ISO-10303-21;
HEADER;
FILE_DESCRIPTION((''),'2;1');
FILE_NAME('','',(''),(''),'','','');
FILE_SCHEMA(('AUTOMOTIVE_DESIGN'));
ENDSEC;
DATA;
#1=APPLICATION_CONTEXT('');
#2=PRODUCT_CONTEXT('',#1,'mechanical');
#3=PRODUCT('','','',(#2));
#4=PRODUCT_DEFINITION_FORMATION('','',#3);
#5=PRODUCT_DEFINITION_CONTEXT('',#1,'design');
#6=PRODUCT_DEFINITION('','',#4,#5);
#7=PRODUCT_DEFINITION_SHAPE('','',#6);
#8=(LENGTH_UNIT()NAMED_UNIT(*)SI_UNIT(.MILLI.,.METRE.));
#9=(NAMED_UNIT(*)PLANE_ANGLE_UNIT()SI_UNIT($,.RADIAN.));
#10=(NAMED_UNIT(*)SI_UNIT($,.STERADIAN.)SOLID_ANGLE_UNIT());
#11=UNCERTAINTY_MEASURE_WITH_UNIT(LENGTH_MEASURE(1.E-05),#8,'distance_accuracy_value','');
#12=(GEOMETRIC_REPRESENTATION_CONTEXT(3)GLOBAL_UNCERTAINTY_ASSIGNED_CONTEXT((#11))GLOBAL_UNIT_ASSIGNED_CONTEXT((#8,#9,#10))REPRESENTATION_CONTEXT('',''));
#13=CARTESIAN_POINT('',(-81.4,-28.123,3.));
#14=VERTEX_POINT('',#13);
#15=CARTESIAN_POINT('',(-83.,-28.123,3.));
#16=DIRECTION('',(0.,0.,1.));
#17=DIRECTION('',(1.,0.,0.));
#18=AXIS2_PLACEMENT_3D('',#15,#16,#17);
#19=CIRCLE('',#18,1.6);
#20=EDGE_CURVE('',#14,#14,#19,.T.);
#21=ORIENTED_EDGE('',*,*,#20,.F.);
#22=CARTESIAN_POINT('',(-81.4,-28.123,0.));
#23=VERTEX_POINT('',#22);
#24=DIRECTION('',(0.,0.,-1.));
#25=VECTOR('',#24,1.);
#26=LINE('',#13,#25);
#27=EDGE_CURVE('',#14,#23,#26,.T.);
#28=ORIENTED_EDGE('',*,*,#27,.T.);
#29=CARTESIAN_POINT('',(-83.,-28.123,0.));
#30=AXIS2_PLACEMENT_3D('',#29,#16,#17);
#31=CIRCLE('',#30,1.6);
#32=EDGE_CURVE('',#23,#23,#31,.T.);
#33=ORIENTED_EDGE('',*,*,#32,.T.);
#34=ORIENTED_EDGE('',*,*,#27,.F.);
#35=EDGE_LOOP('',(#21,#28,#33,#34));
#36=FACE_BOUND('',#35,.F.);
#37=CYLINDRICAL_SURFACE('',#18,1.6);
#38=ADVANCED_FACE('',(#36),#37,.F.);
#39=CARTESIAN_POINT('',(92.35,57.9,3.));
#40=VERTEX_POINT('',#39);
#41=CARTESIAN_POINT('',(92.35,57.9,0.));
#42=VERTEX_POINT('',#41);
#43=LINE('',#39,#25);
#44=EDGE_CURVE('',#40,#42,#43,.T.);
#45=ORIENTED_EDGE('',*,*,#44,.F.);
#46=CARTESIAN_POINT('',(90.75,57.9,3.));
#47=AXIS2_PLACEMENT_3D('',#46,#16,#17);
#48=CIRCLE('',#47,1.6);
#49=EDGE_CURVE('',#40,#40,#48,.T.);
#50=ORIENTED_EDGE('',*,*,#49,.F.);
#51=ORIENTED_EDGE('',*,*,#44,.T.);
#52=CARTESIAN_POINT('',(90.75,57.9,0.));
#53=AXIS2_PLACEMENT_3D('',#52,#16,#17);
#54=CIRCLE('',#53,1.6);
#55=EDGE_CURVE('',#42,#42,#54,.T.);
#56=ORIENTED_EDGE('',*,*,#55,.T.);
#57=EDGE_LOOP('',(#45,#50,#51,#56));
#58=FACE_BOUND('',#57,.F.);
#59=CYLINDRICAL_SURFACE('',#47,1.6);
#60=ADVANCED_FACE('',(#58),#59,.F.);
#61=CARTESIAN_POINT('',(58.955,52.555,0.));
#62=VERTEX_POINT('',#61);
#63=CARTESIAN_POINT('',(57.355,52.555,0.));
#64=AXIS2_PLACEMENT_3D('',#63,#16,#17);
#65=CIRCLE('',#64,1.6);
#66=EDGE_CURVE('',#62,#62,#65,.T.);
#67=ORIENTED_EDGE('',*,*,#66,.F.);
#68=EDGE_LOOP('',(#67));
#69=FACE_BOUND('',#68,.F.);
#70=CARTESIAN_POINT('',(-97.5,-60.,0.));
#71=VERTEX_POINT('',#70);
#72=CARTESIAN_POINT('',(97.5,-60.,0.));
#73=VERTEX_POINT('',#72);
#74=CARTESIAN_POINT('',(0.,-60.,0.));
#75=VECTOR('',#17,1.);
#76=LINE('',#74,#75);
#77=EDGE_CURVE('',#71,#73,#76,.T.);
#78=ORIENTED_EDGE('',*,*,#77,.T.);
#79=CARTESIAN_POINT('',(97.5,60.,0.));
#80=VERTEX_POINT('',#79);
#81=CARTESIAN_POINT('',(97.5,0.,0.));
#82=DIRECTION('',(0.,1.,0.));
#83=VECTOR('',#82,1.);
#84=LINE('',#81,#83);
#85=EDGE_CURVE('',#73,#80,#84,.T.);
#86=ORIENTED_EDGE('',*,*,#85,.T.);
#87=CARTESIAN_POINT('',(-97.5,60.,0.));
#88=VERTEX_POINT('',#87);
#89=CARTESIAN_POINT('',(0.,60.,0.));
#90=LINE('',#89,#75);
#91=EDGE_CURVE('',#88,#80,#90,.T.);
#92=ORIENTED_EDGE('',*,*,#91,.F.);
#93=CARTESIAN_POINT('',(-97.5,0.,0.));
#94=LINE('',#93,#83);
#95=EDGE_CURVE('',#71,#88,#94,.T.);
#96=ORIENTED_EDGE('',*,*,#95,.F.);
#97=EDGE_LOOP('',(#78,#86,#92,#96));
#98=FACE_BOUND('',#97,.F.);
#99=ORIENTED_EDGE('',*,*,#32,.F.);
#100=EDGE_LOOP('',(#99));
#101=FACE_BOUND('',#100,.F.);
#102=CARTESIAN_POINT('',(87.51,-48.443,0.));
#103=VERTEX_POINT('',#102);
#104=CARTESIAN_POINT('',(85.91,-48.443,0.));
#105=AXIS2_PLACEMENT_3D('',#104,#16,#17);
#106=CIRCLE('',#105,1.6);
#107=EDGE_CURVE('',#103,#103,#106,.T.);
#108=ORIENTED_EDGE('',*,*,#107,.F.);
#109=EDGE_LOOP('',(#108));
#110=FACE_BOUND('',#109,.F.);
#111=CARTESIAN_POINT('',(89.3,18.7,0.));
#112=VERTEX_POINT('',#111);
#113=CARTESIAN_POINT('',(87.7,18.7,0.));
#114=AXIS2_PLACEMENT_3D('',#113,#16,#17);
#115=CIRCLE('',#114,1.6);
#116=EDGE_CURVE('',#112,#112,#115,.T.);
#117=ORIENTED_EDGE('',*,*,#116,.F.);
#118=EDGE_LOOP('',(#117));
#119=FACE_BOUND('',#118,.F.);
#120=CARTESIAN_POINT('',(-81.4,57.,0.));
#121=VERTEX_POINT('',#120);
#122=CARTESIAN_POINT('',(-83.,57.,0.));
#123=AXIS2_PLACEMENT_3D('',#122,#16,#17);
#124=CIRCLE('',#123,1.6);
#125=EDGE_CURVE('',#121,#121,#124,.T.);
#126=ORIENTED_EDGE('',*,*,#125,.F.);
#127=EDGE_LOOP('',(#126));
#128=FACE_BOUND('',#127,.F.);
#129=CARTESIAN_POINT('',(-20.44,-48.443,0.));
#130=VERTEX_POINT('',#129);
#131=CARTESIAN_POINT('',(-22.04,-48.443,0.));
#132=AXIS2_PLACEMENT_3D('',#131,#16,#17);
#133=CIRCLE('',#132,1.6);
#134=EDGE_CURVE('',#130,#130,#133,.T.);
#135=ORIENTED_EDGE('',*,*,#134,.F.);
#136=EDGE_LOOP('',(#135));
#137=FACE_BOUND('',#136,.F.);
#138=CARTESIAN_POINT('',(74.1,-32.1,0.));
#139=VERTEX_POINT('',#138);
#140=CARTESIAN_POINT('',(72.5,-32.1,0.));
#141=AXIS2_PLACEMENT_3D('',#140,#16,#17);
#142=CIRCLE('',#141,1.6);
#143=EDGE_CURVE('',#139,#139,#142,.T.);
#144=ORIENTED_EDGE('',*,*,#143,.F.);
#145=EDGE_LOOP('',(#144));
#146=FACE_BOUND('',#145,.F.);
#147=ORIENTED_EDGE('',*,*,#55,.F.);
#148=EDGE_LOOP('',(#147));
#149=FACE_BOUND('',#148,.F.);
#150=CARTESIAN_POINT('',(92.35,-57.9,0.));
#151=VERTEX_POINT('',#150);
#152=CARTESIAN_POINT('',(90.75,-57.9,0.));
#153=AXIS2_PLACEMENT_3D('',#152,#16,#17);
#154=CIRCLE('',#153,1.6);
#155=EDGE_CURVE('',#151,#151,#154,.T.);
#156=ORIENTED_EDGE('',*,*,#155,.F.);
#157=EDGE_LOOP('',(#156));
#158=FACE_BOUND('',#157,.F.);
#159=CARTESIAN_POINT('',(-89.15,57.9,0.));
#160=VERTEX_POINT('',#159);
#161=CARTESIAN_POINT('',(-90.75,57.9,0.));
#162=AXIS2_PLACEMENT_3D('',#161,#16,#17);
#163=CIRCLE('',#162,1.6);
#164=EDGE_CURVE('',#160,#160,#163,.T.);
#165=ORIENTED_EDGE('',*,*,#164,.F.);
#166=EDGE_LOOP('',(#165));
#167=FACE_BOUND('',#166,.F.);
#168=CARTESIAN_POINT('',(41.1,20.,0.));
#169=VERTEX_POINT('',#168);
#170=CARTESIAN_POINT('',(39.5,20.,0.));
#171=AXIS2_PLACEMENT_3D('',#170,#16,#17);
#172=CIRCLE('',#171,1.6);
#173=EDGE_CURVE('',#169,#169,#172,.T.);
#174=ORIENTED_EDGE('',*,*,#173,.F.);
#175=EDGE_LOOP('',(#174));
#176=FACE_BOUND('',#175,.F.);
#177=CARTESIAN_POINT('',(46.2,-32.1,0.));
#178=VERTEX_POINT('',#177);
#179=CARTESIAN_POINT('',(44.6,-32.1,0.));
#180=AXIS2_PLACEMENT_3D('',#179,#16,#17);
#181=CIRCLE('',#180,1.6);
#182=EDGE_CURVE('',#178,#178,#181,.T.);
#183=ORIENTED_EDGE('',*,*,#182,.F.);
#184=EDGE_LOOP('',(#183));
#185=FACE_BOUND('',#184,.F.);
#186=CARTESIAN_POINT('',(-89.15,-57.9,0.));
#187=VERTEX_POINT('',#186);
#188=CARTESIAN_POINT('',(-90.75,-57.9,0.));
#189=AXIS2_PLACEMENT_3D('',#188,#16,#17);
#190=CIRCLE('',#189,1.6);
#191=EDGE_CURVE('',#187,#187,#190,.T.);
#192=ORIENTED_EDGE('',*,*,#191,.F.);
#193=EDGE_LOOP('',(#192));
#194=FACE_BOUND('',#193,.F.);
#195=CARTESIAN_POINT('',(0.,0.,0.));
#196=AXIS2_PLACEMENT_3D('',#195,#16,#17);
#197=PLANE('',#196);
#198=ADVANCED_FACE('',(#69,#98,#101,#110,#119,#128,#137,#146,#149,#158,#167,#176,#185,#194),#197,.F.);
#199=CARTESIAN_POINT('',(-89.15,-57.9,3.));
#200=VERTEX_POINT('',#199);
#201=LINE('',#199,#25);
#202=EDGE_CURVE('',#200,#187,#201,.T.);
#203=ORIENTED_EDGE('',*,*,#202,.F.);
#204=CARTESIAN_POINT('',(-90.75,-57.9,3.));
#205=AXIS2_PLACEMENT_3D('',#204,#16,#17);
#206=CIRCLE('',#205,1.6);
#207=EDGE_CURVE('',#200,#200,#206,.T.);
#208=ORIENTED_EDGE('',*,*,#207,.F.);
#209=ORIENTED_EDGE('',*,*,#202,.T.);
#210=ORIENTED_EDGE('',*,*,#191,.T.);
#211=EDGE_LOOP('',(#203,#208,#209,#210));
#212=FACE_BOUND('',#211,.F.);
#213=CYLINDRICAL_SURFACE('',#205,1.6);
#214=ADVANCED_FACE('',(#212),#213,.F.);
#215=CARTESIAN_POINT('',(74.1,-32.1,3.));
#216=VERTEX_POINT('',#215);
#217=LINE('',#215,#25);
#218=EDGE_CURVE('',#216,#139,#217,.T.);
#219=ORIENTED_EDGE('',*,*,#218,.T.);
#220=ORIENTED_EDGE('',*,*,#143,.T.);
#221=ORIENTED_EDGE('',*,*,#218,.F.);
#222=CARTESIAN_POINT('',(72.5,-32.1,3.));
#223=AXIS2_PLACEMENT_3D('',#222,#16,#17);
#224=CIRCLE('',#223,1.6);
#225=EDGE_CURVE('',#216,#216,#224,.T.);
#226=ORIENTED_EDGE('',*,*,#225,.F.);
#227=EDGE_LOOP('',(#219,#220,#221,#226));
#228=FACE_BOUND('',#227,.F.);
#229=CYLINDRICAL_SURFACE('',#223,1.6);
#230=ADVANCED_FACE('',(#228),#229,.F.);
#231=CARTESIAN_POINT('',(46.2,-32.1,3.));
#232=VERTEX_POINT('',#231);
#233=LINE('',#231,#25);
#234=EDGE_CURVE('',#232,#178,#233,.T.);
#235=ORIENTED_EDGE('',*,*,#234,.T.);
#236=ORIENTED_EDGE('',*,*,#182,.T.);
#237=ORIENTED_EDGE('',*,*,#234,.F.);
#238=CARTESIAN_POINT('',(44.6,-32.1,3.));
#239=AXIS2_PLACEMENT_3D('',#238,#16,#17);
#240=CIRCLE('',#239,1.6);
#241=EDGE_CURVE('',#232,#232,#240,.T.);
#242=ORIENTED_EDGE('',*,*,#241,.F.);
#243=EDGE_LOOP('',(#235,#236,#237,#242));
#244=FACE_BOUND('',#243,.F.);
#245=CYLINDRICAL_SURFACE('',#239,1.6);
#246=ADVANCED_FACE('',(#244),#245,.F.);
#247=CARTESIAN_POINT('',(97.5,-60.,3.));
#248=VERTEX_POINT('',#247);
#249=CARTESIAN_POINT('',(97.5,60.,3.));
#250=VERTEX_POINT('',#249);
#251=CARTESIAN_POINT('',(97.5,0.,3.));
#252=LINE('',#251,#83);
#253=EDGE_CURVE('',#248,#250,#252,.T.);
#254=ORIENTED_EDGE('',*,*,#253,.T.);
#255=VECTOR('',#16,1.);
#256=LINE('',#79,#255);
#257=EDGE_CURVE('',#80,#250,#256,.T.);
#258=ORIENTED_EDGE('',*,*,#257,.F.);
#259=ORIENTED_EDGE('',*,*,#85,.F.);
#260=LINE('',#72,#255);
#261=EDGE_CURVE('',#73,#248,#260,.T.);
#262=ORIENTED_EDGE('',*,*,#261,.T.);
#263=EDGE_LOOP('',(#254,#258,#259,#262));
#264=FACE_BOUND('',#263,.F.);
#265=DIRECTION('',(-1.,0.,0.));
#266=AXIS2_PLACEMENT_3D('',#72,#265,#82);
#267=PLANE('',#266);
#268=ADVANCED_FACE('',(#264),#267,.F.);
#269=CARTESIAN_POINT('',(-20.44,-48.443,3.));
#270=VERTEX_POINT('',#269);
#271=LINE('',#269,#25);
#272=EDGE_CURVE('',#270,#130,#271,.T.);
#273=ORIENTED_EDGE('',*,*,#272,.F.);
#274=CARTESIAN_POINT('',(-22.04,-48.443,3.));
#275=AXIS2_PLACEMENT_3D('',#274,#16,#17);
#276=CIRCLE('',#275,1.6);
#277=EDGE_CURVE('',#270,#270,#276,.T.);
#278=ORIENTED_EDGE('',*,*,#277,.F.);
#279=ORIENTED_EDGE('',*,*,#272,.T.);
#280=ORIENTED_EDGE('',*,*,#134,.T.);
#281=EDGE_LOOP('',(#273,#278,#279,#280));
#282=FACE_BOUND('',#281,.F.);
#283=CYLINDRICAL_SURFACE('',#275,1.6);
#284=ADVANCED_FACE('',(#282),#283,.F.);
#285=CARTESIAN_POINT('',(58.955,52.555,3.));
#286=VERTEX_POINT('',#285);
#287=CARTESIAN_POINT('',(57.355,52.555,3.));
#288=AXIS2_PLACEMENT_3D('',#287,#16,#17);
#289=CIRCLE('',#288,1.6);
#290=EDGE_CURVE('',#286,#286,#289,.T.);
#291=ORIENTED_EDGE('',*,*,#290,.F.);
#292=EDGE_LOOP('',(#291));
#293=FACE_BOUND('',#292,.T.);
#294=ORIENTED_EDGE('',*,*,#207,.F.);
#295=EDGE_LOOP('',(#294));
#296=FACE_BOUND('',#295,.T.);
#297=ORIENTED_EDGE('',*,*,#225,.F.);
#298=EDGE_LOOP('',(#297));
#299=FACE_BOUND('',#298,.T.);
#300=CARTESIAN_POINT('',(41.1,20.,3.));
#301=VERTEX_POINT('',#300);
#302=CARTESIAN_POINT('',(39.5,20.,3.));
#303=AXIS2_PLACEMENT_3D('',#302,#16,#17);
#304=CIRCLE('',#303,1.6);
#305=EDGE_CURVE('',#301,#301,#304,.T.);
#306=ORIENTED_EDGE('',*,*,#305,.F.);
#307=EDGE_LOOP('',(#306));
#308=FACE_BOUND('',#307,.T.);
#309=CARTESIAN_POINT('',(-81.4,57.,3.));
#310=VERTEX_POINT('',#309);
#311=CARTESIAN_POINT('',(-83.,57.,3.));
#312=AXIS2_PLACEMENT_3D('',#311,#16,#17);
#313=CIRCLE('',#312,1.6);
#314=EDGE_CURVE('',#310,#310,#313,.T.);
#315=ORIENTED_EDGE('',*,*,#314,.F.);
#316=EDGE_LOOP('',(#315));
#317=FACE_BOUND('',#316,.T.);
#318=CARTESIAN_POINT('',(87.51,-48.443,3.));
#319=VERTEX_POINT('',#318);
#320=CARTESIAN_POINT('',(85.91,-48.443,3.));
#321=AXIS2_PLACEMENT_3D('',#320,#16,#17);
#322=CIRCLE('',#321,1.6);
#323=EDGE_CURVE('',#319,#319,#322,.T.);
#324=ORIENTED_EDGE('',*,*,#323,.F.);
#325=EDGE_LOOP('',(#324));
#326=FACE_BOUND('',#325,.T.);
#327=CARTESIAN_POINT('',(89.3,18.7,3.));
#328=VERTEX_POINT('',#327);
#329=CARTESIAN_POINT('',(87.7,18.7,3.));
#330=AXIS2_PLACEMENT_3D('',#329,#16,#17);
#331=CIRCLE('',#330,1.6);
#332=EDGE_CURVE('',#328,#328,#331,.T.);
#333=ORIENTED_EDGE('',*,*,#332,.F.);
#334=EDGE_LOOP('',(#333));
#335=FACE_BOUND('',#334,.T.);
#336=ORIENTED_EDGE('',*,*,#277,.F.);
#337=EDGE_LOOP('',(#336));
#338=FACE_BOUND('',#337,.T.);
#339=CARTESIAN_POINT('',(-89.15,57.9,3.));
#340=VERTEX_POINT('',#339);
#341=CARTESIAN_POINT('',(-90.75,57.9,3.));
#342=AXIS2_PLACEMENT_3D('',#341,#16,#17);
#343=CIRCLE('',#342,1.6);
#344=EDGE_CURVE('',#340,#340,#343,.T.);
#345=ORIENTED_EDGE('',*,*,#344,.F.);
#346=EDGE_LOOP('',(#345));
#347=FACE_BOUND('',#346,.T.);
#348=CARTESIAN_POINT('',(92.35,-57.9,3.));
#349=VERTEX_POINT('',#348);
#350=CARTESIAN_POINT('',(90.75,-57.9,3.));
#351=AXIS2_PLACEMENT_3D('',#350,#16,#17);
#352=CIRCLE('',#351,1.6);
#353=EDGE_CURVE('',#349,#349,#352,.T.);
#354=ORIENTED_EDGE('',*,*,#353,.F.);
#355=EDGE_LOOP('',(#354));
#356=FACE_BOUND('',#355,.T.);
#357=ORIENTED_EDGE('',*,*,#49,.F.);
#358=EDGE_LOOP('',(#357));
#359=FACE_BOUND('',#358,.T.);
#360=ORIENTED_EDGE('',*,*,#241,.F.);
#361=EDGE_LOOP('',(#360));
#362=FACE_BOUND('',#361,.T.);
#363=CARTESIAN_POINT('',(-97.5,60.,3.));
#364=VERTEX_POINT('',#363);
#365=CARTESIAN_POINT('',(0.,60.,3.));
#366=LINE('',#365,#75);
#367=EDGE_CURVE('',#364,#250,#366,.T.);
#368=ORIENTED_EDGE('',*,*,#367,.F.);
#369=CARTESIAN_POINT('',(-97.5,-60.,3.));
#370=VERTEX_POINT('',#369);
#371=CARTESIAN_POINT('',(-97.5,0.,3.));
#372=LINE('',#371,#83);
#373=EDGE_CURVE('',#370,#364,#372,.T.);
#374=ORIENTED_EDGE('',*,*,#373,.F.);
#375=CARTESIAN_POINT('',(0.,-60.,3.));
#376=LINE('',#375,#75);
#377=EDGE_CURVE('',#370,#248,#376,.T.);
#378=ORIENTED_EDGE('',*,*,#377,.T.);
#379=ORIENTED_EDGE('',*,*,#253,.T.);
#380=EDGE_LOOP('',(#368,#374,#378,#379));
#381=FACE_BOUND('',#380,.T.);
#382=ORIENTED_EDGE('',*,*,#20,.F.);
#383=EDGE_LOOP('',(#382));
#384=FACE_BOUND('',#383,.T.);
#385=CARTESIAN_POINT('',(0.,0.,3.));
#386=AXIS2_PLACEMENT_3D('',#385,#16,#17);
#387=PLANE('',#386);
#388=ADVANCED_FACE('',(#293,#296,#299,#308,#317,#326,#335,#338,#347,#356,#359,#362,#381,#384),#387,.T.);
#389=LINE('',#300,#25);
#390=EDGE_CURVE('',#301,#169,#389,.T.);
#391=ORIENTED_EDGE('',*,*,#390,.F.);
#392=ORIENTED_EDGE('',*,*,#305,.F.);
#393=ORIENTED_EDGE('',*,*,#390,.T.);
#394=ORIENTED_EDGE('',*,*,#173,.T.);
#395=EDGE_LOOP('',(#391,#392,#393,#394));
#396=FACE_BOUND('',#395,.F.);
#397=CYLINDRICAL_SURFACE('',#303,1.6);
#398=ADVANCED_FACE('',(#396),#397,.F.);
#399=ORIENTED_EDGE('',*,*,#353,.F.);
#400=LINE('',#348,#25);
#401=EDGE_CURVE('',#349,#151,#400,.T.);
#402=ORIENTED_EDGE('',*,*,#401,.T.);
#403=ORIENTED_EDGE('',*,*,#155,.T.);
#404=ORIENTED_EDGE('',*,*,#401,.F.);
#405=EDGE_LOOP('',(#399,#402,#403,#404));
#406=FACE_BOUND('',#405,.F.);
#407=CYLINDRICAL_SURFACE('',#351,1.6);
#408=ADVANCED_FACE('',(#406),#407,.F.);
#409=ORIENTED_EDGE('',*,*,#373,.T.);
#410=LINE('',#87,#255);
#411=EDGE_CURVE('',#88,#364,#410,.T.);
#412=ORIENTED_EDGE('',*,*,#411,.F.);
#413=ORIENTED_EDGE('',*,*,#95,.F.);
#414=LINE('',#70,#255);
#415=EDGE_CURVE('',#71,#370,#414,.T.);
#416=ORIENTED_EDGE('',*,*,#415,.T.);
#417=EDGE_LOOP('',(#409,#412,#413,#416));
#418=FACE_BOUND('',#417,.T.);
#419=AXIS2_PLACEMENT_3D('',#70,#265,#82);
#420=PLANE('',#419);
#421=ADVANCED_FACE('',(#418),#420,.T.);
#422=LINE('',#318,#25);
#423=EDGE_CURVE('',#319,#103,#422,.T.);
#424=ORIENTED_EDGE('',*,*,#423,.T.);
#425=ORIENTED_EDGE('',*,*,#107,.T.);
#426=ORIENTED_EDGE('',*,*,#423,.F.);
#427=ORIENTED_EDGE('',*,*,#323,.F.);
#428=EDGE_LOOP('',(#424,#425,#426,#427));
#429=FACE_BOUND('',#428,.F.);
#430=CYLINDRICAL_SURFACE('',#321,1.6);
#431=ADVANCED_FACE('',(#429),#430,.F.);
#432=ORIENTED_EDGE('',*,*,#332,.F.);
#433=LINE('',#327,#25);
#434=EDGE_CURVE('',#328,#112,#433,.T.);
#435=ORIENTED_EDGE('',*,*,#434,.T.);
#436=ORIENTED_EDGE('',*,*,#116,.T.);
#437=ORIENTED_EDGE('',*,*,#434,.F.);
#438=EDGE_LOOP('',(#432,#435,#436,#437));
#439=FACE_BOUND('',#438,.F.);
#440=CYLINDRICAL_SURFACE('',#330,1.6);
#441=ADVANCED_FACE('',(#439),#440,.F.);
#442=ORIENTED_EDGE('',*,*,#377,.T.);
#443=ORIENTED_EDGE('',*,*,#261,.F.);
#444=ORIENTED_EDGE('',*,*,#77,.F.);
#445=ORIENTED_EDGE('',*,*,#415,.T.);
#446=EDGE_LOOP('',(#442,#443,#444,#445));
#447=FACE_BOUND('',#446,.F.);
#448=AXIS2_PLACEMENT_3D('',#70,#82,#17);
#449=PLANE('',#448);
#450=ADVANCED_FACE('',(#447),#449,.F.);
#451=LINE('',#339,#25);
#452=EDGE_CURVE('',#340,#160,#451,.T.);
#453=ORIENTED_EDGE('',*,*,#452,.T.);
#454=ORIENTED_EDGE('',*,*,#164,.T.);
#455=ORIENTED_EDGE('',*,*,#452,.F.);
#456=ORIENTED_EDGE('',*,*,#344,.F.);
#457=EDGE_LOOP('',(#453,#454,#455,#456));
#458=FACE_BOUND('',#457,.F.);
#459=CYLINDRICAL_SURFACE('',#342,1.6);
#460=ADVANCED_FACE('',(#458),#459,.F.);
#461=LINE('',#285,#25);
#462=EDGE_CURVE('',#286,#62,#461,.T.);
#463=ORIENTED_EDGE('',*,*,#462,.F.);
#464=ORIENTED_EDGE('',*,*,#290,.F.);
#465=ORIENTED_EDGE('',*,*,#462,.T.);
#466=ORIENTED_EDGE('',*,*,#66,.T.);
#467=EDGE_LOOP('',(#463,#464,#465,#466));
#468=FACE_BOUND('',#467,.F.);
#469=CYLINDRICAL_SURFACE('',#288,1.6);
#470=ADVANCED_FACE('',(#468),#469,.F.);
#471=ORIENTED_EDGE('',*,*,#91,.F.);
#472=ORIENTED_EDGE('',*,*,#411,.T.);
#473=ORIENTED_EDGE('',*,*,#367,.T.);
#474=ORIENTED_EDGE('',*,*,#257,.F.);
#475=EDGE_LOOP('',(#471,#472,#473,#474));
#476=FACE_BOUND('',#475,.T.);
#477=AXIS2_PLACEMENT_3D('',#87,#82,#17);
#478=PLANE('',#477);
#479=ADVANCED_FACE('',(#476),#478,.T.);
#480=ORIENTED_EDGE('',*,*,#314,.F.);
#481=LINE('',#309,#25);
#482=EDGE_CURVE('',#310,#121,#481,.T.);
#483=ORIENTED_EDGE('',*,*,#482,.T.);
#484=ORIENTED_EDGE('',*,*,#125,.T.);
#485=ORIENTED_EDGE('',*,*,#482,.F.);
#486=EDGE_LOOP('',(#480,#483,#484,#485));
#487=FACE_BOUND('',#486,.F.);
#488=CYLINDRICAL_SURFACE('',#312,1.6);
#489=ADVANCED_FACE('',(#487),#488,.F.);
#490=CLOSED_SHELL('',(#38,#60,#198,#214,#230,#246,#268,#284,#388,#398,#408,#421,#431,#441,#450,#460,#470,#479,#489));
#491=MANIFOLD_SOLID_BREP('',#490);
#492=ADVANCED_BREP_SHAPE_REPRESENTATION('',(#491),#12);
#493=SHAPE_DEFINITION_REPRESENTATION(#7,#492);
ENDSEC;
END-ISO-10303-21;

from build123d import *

# Parameters (mm, degrees)
SKETCH_W        = 195
SKETCH_H        = 120
PAD_DEPTH       = 3
SKETCH001_R     = 1.6
POCKET_DEPTH    = 5
SKETCH002_R     = 1.6
POCKET001_DEPTH = 5


with BuildPart() as part:
    # Sketch → Pad (new body)
    with BuildSketch(Plane.XY):
        Rectangle(SKETCH_W, SKETCH_H)
    extrude(amount=PAD_DEPTH)

    # Sketch001 → Pocket (cut)
    with BuildSketch(Plane.XY.offset(3)):
        with Locations((-90.75, 57.9)):
            Circle(SKETCH001_R)
        with Locations((90.75, 57.9)):
            Circle(SKETCH001_R)
        with Locations((-90.75, -57.9)):
            Circle(SKETCH001_R)
        with Locations((90.75, -57.9)):
            Circle(SKETCH001_R)
    extrude(amount=-POCKET_DEPTH, mode=Mode.SUBTRACT)

    # Sketch002 → Pocket001 (cut)
    with BuildSketch(Plane.XY.offset(3)):
        with Locations((-83, 57)):
            Circle(SKETCH002_R)
        with Locations((57.355, 52.555)):
            Circle(SKETCH002_R)
        with Locations((-83, -28.123)):
            Circle(SKETCH002_R)
        with Locations((-22.04, -48.443)):
            Circle(SKETCH002_R)
        with Locations((85.91, -48.443)):
            Circle(SKETCH002_R)
        with Locations((39.5, 20)):
            Circle(SKETCH002_R)
        with Locations((44.6, -32.1)):
            Circle(SKETCH002_R)
        with Locations((72.5, -32.1)):
            Circle(SKETCH002_R)
        with Locations((87.7, 18.7)):
            Circle(SKETCH002_R)
    extrude(amount=-POCKET001_DEPTH, mode=Mode.SUBTRACT)


solid = part.part
